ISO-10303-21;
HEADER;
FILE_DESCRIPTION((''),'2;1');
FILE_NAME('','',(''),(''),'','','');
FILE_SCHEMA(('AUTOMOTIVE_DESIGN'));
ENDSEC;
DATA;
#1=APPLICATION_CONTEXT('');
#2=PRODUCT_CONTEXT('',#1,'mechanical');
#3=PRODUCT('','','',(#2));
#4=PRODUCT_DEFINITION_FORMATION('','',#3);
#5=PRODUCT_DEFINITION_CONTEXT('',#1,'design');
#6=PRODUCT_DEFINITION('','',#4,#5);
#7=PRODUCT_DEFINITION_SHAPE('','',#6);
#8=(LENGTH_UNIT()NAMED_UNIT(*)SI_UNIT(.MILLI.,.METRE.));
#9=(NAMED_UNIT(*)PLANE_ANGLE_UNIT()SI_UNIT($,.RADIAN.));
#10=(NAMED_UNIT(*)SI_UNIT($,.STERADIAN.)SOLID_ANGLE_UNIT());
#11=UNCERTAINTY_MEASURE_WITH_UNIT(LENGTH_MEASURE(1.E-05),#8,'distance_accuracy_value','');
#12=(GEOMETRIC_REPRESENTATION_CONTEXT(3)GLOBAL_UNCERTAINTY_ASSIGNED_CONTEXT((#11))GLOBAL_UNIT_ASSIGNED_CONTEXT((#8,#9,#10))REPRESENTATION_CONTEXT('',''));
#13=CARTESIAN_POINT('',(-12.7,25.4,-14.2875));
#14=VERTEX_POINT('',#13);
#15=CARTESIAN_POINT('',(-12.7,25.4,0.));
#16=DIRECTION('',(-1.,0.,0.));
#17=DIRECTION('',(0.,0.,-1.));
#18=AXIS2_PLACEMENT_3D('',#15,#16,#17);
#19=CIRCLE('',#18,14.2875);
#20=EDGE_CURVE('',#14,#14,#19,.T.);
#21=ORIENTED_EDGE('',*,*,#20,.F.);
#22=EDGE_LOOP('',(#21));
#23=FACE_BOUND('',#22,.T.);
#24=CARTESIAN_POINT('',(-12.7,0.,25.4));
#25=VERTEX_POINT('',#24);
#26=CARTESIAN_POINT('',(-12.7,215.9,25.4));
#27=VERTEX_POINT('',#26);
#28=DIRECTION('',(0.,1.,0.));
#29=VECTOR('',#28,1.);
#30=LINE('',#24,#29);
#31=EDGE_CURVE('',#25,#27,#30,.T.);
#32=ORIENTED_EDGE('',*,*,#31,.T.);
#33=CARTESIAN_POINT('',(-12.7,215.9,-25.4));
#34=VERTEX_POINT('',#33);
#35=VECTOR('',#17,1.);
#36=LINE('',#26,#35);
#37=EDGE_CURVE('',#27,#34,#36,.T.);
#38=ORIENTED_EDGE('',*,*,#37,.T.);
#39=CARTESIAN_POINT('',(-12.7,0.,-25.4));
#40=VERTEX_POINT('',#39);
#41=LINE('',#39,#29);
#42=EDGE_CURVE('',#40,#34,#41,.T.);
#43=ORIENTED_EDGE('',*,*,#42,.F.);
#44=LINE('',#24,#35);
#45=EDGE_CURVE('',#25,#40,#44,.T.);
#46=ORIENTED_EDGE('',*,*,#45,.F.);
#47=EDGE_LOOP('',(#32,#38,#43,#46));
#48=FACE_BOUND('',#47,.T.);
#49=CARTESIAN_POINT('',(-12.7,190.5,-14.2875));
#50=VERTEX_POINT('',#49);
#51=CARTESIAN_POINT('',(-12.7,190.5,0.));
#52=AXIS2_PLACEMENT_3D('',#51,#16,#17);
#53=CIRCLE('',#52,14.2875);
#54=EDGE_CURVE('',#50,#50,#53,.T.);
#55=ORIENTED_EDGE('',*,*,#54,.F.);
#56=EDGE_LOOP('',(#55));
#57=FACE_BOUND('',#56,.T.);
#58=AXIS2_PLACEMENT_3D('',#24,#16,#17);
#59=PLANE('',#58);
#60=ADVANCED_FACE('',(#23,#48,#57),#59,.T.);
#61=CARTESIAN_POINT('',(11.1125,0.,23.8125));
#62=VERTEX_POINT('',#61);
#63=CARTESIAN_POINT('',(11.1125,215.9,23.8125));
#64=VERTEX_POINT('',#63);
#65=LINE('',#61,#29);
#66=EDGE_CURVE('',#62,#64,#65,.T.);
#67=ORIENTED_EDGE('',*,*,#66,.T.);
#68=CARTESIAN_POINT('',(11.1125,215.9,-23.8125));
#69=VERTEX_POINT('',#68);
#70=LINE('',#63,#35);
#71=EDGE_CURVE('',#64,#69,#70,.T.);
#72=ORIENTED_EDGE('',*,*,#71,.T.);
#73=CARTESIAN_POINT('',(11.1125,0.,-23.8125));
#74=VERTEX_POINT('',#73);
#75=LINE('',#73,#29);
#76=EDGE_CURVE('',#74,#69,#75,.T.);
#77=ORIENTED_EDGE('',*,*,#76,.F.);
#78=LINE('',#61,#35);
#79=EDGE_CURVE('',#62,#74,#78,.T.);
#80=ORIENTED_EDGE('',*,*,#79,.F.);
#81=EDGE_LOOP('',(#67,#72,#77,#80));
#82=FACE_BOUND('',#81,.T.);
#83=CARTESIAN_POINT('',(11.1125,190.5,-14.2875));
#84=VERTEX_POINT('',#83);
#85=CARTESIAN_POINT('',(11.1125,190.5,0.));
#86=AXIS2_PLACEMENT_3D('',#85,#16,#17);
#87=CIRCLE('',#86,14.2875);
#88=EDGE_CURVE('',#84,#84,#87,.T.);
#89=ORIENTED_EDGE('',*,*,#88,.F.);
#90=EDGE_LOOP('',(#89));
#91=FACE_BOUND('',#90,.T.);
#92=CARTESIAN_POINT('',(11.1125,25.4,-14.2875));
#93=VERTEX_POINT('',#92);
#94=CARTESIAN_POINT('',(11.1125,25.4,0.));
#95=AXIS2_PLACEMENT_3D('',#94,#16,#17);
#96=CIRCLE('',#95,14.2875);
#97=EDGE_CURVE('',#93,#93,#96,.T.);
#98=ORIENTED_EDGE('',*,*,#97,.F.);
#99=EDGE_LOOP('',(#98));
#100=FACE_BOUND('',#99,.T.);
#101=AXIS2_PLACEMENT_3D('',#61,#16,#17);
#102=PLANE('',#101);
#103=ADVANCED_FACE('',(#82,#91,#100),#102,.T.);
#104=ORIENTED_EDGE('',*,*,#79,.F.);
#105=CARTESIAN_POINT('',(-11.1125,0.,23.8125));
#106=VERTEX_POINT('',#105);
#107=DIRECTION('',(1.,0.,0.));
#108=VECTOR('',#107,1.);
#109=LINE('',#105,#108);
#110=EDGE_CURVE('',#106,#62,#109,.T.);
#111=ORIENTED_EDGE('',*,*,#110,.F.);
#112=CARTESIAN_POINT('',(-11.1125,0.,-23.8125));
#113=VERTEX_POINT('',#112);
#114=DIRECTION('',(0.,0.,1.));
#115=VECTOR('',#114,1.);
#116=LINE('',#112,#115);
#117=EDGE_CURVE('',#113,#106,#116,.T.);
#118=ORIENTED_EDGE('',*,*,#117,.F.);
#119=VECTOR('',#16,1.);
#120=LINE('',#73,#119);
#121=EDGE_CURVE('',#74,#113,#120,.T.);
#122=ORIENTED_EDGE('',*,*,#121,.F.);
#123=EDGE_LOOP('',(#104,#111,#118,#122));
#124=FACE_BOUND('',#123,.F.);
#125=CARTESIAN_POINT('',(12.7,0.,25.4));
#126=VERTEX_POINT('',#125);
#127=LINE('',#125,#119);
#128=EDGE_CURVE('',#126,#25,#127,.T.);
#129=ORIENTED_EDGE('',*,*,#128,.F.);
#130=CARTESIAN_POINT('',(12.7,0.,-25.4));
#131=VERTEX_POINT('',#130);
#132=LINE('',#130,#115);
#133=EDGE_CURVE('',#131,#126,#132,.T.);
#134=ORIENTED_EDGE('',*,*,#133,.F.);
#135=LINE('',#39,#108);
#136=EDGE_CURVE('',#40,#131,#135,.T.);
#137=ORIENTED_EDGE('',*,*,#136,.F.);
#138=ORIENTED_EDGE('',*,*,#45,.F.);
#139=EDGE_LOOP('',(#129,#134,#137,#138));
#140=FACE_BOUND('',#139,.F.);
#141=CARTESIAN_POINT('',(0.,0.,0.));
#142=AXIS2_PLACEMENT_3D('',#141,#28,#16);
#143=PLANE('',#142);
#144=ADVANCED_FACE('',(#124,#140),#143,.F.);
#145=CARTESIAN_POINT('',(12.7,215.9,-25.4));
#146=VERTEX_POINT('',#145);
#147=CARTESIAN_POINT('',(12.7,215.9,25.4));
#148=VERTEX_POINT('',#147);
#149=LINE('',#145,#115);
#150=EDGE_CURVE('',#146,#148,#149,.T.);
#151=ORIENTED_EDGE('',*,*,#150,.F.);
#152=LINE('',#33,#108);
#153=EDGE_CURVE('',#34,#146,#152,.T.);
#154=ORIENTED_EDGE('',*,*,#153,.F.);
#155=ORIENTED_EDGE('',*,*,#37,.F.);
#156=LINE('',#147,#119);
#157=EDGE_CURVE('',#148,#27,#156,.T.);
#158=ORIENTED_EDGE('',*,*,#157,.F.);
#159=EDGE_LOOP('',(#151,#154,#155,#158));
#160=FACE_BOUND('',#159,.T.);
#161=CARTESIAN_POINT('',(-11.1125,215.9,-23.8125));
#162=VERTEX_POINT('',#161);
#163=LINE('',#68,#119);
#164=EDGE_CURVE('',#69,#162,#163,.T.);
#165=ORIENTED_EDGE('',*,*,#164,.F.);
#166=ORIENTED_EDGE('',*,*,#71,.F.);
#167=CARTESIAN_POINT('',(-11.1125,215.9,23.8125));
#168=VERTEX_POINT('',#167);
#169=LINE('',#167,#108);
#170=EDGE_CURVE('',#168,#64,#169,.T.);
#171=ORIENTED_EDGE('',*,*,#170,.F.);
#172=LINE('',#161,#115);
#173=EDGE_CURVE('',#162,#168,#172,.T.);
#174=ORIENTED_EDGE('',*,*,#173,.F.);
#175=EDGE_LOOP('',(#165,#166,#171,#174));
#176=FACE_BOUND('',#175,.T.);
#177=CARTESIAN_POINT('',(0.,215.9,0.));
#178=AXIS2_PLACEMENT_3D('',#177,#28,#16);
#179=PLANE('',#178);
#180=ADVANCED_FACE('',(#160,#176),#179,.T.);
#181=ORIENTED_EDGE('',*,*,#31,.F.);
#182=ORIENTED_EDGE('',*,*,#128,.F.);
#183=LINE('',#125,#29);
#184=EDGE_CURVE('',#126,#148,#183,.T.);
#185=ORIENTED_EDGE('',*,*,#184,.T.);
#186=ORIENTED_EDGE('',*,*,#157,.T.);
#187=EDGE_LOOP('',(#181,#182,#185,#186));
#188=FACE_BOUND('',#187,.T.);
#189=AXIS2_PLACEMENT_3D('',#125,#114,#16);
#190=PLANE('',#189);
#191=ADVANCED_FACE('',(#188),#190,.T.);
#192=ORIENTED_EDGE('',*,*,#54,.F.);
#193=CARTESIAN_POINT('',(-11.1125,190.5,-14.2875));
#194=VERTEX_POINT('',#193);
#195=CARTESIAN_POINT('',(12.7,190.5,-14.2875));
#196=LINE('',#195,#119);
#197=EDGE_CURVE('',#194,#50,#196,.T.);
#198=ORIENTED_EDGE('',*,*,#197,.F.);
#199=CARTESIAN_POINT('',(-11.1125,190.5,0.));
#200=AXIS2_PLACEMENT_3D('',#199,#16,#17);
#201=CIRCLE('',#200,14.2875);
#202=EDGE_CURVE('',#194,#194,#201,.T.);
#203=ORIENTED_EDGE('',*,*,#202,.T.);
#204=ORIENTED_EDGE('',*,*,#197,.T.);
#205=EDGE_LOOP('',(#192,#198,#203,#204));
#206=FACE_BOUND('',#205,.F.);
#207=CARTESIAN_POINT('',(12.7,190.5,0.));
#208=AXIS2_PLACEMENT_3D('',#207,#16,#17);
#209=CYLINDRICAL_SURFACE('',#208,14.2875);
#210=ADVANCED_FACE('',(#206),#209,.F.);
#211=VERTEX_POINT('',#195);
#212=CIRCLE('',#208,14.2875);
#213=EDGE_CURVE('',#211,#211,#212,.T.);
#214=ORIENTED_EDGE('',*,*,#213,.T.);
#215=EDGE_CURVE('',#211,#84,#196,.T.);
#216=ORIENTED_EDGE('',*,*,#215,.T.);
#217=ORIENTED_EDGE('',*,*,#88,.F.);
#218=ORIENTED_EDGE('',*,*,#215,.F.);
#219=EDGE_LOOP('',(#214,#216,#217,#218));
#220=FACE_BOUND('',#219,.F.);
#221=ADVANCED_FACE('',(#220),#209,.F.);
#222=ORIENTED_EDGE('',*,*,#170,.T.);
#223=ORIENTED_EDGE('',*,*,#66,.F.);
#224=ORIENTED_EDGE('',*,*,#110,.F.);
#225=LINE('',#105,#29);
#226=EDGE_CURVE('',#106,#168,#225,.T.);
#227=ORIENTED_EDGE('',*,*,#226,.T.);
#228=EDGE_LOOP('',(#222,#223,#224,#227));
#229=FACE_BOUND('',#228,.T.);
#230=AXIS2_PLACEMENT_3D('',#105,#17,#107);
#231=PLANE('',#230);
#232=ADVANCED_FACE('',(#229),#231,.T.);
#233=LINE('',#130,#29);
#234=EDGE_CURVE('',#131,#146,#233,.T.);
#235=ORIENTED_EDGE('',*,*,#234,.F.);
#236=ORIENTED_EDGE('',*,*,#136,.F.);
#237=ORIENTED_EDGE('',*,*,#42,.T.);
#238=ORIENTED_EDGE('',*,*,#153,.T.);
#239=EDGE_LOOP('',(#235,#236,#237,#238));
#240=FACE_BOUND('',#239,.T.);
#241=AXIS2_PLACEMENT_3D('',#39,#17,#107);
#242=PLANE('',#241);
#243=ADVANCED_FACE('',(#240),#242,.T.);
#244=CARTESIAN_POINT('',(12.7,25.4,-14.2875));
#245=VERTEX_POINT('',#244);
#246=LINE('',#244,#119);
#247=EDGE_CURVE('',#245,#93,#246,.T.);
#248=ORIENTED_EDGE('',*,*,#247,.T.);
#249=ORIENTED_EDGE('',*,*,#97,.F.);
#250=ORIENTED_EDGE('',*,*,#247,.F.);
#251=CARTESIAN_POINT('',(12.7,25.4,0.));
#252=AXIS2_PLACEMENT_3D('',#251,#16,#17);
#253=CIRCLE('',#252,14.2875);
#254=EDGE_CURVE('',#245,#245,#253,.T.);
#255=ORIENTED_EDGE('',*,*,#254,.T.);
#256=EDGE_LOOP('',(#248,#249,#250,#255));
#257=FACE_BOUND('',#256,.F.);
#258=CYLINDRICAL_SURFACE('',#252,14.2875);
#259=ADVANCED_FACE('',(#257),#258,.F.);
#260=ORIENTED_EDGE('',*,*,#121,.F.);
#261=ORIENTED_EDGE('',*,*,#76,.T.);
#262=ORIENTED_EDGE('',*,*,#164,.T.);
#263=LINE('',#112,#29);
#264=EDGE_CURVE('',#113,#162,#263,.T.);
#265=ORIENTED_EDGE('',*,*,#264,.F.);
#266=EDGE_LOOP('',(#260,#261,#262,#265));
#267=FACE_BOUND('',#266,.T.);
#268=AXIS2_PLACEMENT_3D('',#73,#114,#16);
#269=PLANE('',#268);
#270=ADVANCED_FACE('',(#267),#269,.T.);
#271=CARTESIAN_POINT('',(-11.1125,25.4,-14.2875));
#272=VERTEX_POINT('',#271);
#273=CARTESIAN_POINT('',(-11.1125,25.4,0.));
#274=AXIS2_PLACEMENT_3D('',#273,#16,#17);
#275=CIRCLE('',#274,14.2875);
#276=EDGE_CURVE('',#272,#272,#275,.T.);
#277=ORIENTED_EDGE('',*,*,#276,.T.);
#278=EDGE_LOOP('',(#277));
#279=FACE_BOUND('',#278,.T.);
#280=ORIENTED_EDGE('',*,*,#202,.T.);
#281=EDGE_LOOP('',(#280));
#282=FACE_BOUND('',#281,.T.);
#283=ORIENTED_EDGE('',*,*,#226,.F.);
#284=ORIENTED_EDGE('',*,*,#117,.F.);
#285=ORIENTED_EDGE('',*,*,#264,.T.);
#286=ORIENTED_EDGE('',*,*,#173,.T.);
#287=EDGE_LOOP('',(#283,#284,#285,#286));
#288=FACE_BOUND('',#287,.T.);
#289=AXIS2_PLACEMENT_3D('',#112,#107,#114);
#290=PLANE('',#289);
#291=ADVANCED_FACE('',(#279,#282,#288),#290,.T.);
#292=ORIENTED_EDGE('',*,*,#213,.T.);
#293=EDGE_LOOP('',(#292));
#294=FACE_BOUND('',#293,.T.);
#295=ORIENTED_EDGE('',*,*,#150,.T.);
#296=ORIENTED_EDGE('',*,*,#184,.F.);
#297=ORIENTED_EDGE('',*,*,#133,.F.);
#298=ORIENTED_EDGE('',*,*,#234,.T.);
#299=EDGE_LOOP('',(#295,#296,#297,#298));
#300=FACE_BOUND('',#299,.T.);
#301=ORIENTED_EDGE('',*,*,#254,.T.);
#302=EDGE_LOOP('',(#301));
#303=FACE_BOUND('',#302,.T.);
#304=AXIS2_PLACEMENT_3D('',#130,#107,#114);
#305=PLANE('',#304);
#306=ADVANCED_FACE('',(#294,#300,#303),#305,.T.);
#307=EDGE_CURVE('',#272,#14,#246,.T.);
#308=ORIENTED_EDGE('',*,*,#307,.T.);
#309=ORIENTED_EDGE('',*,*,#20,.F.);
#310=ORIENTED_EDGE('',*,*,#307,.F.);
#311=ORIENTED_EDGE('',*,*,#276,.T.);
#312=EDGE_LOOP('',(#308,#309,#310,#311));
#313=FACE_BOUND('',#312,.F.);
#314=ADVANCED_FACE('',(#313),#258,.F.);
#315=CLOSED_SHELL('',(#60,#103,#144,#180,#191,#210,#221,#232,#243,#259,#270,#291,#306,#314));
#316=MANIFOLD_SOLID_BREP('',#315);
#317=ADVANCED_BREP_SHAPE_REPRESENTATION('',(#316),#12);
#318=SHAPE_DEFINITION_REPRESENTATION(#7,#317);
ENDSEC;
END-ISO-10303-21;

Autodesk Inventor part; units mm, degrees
ref_plane "YZ Plane" through (0, 0, 0) normal (1, 0, 0) x (0, 1, 0)
ref_plane "XZ Plane" through (0, 0, 0) normal (0, 1, 0) x (-1, 0, 0)
ref_plane "XY Plane" through (0, 0, 0) normal (0, 0, 1) x (1, 0, 0)
sketch "Sketch1" plane through (0, 0, 0) normal (0, 1, 0) x (-1, 0, 0)
  line L0 (-12.7, 25.4) -> (12.7, 25.4)
  line L1 (12.7, 25.4) -> (12.7, -25.4)
  line L2 (12.7, -25.4) -> (-12.7, -25.4)
  line L3 (-12.7, -25.4) -> (-12.7, 25.4)
  line L4 (-12.7, 25.4) -> (12.7, -25.4) construction
  line L5 (12.7, 25.4) -> (-12.7, -25.4) construction
  line L6 (11.1125, 23.8125) -> (-11.1125, 23.8125)
  line L7 (-11.1125, 23.8125) -> (-11.1125, -23.8125)
  line L8 (-11.1125, -23.8125) -> (11.1125, -23.8125)
  line L9 (11.1125, -23.8125) -> (11.1125, 23.8125)
  line L10 (11.1125, 23.8125) -> (-11.1125, -23.8125) construction
  line L11 (-11.1125, 23.8125) -> (11.1125, -23.8125) construction
  point P0 (0, 0)
  dimension "d0" = 25.4
  dimension "d1" = 50.8
  dimension "d2" = 22.225
  dimension "d3" = 47.625
extrude "Extrusion1" add sketch "Sketch1" along normal blind 215.9
sketch "Sketch2" plane through (12.7, 0, 25.4) normal (1, 0, 0) x (0, 0, -1)
  line L0 (0, 215.9) -> (50.8, 215.9) projected
  line L1 (0, 0) -> (0, 215.9) projected
  point P0 (25.4, 0)
  point P1 (25.4, 190.5)
  dimension "d21" = 25.4
  dimension "d24" = 190.5
hole "Hole1" at (12.7, 190.5, 0) direction (-1, 0, 0) diameter 28.575 end through all
sketch "Sketch3" plane through (12.7, 0, 25.4) normal (1, 0, 0) x (0, 0, -1)
  line L0 (50.8, 0) -> (50.8, 215.9) projected
  line L1 (0, 0) -> (50.8, 0) projected
  point P0 (25.4, 0)
  point P1 (25.4, 25.4)
  dimension "d22" = 25.4
  dimension "d23" = 25.4
hole "Hole2" at (12.7, 25.4, 0) direction (-1, 0, 0) diameter 28.575 end through all
properties part number "2x1 Front" material "Aluminum 6061"
